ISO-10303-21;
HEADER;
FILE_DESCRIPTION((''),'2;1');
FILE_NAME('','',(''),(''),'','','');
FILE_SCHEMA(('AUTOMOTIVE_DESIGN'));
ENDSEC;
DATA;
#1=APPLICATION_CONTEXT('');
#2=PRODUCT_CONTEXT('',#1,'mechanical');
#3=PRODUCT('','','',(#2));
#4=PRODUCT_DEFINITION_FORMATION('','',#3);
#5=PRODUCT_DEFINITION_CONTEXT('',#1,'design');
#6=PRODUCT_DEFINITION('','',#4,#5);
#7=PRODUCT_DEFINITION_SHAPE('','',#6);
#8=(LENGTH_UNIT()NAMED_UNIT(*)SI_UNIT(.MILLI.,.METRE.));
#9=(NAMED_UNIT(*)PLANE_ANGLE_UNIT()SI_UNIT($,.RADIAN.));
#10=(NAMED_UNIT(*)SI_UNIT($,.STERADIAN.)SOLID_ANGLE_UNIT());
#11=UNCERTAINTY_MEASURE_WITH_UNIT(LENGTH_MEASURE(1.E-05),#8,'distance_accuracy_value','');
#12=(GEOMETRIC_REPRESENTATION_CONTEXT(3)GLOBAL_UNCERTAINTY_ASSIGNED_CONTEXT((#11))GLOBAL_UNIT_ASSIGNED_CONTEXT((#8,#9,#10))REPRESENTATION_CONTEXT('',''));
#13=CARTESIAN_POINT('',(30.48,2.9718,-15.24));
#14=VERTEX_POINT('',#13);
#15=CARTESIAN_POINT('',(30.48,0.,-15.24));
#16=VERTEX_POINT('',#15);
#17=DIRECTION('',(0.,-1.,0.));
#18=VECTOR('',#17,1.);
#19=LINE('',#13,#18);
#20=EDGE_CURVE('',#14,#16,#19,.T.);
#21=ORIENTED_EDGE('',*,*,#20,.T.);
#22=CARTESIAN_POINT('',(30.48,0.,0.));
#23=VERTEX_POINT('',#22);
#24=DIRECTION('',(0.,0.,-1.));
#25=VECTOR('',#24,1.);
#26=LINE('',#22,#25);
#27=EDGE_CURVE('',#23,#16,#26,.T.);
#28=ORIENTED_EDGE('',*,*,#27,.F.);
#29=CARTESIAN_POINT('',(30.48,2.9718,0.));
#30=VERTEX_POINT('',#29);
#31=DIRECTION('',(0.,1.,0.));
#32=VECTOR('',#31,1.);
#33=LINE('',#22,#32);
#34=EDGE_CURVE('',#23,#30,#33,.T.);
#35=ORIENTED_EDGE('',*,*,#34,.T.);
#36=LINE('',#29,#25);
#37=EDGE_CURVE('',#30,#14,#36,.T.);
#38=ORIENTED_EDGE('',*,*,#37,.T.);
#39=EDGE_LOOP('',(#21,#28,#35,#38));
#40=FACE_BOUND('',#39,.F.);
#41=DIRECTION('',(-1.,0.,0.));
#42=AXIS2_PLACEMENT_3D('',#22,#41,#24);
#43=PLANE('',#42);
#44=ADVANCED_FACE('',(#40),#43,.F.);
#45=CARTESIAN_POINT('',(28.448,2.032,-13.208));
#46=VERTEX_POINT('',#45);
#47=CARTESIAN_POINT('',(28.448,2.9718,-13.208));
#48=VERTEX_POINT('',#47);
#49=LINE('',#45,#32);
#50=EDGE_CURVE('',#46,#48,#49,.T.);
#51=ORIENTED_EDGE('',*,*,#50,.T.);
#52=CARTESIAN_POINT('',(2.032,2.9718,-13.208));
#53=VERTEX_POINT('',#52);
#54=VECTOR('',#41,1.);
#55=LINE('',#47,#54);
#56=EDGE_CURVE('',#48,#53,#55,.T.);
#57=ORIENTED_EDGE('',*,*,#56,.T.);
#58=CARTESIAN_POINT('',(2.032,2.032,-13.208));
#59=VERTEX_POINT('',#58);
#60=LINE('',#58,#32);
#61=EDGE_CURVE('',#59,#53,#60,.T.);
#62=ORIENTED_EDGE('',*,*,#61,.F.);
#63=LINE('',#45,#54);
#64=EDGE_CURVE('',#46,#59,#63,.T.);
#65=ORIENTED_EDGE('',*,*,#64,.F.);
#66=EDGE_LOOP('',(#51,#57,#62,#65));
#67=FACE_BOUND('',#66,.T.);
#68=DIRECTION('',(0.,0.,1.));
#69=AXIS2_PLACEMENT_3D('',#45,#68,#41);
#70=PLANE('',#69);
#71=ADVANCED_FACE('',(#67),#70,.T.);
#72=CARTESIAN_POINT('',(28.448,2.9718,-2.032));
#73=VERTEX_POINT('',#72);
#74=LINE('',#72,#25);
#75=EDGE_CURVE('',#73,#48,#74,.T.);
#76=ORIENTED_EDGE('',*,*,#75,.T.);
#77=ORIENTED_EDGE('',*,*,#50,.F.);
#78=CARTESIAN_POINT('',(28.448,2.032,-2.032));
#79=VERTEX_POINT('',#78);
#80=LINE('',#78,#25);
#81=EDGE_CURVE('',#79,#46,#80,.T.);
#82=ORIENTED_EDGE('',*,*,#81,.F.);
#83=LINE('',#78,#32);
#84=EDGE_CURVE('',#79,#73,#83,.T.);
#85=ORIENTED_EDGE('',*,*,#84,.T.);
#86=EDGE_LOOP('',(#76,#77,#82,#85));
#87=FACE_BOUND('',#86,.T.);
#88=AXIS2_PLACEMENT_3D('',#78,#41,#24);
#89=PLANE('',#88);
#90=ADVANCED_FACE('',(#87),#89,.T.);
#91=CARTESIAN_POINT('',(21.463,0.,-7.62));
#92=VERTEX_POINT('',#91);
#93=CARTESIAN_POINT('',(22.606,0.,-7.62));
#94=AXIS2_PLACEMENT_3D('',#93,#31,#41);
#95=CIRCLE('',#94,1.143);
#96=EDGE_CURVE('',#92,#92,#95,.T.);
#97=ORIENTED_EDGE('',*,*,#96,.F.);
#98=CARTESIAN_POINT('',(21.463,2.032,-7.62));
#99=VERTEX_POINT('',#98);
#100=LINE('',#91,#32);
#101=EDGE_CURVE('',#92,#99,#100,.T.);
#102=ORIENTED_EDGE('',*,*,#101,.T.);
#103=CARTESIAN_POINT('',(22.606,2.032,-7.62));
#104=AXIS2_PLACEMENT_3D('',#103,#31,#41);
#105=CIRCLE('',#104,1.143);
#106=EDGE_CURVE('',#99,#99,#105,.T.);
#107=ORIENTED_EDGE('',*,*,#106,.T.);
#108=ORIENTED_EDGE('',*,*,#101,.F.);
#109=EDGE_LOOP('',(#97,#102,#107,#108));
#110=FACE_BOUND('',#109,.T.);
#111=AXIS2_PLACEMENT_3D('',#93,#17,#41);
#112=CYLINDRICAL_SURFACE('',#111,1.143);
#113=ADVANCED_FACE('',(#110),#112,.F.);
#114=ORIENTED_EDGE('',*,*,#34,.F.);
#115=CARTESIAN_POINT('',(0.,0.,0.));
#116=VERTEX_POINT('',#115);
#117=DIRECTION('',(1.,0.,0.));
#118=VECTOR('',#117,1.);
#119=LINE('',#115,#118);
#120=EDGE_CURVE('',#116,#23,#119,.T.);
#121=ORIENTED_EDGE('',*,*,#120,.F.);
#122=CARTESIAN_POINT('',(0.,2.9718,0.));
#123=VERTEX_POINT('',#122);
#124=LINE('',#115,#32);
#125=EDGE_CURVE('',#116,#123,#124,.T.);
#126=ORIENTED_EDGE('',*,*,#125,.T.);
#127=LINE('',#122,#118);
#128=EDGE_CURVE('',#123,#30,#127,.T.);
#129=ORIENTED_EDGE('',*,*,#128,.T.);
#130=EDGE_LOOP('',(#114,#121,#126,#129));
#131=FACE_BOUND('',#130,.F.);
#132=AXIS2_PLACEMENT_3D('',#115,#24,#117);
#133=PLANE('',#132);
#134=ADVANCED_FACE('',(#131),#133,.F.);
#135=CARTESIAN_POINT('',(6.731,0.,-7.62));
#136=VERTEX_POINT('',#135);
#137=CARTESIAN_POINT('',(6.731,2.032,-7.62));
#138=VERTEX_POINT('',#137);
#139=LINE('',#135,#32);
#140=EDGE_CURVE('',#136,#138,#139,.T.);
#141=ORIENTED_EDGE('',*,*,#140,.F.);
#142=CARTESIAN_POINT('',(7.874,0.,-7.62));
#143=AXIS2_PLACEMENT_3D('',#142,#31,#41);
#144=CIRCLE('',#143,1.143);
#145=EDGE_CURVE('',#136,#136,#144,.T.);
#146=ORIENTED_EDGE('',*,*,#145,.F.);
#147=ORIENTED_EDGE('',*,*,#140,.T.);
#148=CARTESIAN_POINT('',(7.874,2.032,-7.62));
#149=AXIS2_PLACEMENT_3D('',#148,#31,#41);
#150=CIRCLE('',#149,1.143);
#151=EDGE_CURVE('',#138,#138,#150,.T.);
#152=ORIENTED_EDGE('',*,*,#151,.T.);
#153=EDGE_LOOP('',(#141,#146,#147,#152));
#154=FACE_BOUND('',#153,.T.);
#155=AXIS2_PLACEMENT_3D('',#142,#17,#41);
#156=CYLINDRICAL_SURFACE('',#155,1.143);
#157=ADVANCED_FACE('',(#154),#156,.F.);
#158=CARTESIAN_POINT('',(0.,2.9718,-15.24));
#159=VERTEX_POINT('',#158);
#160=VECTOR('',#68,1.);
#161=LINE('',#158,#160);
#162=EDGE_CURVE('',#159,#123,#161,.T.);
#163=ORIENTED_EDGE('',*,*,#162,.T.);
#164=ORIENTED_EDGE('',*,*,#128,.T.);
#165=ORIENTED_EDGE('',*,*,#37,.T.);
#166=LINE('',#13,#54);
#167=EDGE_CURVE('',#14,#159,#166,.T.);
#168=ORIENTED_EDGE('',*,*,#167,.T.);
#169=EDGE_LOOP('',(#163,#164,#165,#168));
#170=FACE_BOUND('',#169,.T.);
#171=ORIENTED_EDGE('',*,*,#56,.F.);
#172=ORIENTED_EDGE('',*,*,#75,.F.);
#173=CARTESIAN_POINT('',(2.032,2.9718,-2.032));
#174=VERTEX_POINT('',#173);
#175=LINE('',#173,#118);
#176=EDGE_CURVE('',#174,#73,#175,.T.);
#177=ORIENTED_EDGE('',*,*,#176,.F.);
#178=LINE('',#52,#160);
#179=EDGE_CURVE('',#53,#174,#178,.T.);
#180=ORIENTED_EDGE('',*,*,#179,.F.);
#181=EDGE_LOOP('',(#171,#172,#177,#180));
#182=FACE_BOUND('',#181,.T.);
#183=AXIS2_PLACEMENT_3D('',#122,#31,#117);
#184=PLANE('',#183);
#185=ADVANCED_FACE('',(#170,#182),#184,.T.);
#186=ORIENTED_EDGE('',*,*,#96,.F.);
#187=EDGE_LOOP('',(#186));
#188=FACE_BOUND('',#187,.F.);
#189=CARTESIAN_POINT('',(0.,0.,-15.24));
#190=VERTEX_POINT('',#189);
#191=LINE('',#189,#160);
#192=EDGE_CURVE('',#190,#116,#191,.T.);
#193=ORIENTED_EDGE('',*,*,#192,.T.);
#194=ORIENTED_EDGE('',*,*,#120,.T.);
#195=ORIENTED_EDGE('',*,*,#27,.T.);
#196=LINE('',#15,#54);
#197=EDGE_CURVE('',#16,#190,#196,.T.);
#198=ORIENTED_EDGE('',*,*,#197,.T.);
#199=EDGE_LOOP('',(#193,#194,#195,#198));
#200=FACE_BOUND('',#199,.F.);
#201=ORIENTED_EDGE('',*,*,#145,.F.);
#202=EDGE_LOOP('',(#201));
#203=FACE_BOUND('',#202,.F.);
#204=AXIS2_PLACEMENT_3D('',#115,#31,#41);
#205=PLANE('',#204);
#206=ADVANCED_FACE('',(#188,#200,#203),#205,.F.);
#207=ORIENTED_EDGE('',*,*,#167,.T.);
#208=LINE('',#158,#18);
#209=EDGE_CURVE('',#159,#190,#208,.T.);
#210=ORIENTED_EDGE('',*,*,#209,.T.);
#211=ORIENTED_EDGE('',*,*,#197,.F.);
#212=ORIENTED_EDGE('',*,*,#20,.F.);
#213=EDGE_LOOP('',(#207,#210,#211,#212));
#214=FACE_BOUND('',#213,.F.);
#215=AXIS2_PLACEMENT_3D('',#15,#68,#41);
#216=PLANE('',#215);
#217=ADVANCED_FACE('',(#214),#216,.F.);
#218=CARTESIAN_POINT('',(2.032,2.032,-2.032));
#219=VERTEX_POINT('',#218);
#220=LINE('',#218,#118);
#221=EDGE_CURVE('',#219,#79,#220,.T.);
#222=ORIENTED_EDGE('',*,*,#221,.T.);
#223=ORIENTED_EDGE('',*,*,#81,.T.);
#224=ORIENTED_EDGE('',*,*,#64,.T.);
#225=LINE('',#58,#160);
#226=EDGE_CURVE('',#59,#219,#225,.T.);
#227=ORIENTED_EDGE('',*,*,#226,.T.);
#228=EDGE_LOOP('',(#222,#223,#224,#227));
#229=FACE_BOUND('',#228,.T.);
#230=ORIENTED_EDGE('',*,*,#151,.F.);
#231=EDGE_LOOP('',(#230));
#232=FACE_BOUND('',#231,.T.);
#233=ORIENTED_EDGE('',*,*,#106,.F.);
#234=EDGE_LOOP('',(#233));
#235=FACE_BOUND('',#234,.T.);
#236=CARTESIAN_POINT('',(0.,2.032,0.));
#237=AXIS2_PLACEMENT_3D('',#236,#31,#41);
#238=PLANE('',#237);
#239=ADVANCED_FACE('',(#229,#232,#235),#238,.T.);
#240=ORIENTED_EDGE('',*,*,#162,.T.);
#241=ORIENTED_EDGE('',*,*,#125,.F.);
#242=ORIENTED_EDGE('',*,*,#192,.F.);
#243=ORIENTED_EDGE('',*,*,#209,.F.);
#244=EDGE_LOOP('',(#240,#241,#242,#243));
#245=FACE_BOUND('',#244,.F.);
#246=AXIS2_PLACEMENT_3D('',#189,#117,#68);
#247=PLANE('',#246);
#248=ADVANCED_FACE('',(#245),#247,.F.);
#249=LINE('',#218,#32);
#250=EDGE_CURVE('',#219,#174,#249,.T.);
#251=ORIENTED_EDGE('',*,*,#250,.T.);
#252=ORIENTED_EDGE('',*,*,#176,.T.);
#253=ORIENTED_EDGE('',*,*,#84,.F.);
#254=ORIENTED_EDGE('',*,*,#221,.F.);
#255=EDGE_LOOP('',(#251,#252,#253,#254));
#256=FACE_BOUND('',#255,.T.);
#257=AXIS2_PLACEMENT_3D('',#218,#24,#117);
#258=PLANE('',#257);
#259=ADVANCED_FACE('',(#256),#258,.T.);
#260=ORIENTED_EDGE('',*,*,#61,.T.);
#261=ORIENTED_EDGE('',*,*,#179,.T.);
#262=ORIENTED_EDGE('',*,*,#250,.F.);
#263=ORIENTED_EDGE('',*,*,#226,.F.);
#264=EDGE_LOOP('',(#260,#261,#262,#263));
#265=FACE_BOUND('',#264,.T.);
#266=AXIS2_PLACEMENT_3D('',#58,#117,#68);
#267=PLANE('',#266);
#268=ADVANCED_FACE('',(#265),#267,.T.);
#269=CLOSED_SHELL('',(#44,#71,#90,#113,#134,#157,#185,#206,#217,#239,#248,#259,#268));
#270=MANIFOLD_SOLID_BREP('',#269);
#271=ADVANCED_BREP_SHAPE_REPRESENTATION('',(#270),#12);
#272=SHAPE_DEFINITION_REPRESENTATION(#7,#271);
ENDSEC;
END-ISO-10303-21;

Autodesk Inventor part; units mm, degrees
ref_plane "YZ Plane" through (0, 0, 0) normal (1, 0, 0) x (0, 1, 0)
ref_plane "XZ Plane" through (0, 0, 0) normal (0, 1, 0) x (-1, 0, 0)
ref_plane "XY Plane" through (0, 0, 0) normal (0, 0, 1) x (1, 0, 0)
sketch "Sketch1" plane through (0, 0, 0) normal (0, 1, 0) x (-1, 0, 0)
  line L0 (0, 0) -> (-30.48, 0)
  line L1 (-30.48, 0) -> (-30.48, -15.24)
  line L2 (-30.48, -15.24) -> (0, -15.24)
  line L3 (0, -15.24) -> (0, 0)
  line L4 (0, -7.62) -> (-30.48, -7.62) construction
  circle A0 centre (-7.874, -7.62) radius 1.143
  circle A1 centre (-22.606, -7.62) radius 1.143
  dimension "d0" = 15.24
  dimension "d1" = 30.48
  dimension "d2" = 2.286
  dimension "d3" = 2.286
  dimension "d4" = 14.732
  dimension "d5" = 7.874
extrude "Extrusion1" add sketch "Sketch1" along normal blind 2.032
sketch "Sketch2" plane through (0, 2.032, 0) normal (0, 1, 0) x (1, 0, 0)
  line L0 (0, 0) -> (30.48, 0)
  line L1 (30.48, 0) -> (30.48, 15.24)
  line L2 (30.48, 15.24) -> (0, 15.24)
  line L3 (0, 15.24) -> (0, 0)
  line L4 (2.032, 2.032) -> (28.448, 2.032)
  line L5 (28.448, 2.032) -> (28.448, 13.208)
  line L6 (28.448, 13.208) -> (2.032, 13.208)
  line L7 (2.032, 13.208) -> (2.032, 2.032)
  dimension "d8" = 2.032
  dimension "d9" = 2.032
  dimension "d10" = 2.032
  dimension "d12" = 2.032
extrude "Extrusion2" add sketch "Sketch2" along normal blind 0.9398
properties part number "castor_bracket"
